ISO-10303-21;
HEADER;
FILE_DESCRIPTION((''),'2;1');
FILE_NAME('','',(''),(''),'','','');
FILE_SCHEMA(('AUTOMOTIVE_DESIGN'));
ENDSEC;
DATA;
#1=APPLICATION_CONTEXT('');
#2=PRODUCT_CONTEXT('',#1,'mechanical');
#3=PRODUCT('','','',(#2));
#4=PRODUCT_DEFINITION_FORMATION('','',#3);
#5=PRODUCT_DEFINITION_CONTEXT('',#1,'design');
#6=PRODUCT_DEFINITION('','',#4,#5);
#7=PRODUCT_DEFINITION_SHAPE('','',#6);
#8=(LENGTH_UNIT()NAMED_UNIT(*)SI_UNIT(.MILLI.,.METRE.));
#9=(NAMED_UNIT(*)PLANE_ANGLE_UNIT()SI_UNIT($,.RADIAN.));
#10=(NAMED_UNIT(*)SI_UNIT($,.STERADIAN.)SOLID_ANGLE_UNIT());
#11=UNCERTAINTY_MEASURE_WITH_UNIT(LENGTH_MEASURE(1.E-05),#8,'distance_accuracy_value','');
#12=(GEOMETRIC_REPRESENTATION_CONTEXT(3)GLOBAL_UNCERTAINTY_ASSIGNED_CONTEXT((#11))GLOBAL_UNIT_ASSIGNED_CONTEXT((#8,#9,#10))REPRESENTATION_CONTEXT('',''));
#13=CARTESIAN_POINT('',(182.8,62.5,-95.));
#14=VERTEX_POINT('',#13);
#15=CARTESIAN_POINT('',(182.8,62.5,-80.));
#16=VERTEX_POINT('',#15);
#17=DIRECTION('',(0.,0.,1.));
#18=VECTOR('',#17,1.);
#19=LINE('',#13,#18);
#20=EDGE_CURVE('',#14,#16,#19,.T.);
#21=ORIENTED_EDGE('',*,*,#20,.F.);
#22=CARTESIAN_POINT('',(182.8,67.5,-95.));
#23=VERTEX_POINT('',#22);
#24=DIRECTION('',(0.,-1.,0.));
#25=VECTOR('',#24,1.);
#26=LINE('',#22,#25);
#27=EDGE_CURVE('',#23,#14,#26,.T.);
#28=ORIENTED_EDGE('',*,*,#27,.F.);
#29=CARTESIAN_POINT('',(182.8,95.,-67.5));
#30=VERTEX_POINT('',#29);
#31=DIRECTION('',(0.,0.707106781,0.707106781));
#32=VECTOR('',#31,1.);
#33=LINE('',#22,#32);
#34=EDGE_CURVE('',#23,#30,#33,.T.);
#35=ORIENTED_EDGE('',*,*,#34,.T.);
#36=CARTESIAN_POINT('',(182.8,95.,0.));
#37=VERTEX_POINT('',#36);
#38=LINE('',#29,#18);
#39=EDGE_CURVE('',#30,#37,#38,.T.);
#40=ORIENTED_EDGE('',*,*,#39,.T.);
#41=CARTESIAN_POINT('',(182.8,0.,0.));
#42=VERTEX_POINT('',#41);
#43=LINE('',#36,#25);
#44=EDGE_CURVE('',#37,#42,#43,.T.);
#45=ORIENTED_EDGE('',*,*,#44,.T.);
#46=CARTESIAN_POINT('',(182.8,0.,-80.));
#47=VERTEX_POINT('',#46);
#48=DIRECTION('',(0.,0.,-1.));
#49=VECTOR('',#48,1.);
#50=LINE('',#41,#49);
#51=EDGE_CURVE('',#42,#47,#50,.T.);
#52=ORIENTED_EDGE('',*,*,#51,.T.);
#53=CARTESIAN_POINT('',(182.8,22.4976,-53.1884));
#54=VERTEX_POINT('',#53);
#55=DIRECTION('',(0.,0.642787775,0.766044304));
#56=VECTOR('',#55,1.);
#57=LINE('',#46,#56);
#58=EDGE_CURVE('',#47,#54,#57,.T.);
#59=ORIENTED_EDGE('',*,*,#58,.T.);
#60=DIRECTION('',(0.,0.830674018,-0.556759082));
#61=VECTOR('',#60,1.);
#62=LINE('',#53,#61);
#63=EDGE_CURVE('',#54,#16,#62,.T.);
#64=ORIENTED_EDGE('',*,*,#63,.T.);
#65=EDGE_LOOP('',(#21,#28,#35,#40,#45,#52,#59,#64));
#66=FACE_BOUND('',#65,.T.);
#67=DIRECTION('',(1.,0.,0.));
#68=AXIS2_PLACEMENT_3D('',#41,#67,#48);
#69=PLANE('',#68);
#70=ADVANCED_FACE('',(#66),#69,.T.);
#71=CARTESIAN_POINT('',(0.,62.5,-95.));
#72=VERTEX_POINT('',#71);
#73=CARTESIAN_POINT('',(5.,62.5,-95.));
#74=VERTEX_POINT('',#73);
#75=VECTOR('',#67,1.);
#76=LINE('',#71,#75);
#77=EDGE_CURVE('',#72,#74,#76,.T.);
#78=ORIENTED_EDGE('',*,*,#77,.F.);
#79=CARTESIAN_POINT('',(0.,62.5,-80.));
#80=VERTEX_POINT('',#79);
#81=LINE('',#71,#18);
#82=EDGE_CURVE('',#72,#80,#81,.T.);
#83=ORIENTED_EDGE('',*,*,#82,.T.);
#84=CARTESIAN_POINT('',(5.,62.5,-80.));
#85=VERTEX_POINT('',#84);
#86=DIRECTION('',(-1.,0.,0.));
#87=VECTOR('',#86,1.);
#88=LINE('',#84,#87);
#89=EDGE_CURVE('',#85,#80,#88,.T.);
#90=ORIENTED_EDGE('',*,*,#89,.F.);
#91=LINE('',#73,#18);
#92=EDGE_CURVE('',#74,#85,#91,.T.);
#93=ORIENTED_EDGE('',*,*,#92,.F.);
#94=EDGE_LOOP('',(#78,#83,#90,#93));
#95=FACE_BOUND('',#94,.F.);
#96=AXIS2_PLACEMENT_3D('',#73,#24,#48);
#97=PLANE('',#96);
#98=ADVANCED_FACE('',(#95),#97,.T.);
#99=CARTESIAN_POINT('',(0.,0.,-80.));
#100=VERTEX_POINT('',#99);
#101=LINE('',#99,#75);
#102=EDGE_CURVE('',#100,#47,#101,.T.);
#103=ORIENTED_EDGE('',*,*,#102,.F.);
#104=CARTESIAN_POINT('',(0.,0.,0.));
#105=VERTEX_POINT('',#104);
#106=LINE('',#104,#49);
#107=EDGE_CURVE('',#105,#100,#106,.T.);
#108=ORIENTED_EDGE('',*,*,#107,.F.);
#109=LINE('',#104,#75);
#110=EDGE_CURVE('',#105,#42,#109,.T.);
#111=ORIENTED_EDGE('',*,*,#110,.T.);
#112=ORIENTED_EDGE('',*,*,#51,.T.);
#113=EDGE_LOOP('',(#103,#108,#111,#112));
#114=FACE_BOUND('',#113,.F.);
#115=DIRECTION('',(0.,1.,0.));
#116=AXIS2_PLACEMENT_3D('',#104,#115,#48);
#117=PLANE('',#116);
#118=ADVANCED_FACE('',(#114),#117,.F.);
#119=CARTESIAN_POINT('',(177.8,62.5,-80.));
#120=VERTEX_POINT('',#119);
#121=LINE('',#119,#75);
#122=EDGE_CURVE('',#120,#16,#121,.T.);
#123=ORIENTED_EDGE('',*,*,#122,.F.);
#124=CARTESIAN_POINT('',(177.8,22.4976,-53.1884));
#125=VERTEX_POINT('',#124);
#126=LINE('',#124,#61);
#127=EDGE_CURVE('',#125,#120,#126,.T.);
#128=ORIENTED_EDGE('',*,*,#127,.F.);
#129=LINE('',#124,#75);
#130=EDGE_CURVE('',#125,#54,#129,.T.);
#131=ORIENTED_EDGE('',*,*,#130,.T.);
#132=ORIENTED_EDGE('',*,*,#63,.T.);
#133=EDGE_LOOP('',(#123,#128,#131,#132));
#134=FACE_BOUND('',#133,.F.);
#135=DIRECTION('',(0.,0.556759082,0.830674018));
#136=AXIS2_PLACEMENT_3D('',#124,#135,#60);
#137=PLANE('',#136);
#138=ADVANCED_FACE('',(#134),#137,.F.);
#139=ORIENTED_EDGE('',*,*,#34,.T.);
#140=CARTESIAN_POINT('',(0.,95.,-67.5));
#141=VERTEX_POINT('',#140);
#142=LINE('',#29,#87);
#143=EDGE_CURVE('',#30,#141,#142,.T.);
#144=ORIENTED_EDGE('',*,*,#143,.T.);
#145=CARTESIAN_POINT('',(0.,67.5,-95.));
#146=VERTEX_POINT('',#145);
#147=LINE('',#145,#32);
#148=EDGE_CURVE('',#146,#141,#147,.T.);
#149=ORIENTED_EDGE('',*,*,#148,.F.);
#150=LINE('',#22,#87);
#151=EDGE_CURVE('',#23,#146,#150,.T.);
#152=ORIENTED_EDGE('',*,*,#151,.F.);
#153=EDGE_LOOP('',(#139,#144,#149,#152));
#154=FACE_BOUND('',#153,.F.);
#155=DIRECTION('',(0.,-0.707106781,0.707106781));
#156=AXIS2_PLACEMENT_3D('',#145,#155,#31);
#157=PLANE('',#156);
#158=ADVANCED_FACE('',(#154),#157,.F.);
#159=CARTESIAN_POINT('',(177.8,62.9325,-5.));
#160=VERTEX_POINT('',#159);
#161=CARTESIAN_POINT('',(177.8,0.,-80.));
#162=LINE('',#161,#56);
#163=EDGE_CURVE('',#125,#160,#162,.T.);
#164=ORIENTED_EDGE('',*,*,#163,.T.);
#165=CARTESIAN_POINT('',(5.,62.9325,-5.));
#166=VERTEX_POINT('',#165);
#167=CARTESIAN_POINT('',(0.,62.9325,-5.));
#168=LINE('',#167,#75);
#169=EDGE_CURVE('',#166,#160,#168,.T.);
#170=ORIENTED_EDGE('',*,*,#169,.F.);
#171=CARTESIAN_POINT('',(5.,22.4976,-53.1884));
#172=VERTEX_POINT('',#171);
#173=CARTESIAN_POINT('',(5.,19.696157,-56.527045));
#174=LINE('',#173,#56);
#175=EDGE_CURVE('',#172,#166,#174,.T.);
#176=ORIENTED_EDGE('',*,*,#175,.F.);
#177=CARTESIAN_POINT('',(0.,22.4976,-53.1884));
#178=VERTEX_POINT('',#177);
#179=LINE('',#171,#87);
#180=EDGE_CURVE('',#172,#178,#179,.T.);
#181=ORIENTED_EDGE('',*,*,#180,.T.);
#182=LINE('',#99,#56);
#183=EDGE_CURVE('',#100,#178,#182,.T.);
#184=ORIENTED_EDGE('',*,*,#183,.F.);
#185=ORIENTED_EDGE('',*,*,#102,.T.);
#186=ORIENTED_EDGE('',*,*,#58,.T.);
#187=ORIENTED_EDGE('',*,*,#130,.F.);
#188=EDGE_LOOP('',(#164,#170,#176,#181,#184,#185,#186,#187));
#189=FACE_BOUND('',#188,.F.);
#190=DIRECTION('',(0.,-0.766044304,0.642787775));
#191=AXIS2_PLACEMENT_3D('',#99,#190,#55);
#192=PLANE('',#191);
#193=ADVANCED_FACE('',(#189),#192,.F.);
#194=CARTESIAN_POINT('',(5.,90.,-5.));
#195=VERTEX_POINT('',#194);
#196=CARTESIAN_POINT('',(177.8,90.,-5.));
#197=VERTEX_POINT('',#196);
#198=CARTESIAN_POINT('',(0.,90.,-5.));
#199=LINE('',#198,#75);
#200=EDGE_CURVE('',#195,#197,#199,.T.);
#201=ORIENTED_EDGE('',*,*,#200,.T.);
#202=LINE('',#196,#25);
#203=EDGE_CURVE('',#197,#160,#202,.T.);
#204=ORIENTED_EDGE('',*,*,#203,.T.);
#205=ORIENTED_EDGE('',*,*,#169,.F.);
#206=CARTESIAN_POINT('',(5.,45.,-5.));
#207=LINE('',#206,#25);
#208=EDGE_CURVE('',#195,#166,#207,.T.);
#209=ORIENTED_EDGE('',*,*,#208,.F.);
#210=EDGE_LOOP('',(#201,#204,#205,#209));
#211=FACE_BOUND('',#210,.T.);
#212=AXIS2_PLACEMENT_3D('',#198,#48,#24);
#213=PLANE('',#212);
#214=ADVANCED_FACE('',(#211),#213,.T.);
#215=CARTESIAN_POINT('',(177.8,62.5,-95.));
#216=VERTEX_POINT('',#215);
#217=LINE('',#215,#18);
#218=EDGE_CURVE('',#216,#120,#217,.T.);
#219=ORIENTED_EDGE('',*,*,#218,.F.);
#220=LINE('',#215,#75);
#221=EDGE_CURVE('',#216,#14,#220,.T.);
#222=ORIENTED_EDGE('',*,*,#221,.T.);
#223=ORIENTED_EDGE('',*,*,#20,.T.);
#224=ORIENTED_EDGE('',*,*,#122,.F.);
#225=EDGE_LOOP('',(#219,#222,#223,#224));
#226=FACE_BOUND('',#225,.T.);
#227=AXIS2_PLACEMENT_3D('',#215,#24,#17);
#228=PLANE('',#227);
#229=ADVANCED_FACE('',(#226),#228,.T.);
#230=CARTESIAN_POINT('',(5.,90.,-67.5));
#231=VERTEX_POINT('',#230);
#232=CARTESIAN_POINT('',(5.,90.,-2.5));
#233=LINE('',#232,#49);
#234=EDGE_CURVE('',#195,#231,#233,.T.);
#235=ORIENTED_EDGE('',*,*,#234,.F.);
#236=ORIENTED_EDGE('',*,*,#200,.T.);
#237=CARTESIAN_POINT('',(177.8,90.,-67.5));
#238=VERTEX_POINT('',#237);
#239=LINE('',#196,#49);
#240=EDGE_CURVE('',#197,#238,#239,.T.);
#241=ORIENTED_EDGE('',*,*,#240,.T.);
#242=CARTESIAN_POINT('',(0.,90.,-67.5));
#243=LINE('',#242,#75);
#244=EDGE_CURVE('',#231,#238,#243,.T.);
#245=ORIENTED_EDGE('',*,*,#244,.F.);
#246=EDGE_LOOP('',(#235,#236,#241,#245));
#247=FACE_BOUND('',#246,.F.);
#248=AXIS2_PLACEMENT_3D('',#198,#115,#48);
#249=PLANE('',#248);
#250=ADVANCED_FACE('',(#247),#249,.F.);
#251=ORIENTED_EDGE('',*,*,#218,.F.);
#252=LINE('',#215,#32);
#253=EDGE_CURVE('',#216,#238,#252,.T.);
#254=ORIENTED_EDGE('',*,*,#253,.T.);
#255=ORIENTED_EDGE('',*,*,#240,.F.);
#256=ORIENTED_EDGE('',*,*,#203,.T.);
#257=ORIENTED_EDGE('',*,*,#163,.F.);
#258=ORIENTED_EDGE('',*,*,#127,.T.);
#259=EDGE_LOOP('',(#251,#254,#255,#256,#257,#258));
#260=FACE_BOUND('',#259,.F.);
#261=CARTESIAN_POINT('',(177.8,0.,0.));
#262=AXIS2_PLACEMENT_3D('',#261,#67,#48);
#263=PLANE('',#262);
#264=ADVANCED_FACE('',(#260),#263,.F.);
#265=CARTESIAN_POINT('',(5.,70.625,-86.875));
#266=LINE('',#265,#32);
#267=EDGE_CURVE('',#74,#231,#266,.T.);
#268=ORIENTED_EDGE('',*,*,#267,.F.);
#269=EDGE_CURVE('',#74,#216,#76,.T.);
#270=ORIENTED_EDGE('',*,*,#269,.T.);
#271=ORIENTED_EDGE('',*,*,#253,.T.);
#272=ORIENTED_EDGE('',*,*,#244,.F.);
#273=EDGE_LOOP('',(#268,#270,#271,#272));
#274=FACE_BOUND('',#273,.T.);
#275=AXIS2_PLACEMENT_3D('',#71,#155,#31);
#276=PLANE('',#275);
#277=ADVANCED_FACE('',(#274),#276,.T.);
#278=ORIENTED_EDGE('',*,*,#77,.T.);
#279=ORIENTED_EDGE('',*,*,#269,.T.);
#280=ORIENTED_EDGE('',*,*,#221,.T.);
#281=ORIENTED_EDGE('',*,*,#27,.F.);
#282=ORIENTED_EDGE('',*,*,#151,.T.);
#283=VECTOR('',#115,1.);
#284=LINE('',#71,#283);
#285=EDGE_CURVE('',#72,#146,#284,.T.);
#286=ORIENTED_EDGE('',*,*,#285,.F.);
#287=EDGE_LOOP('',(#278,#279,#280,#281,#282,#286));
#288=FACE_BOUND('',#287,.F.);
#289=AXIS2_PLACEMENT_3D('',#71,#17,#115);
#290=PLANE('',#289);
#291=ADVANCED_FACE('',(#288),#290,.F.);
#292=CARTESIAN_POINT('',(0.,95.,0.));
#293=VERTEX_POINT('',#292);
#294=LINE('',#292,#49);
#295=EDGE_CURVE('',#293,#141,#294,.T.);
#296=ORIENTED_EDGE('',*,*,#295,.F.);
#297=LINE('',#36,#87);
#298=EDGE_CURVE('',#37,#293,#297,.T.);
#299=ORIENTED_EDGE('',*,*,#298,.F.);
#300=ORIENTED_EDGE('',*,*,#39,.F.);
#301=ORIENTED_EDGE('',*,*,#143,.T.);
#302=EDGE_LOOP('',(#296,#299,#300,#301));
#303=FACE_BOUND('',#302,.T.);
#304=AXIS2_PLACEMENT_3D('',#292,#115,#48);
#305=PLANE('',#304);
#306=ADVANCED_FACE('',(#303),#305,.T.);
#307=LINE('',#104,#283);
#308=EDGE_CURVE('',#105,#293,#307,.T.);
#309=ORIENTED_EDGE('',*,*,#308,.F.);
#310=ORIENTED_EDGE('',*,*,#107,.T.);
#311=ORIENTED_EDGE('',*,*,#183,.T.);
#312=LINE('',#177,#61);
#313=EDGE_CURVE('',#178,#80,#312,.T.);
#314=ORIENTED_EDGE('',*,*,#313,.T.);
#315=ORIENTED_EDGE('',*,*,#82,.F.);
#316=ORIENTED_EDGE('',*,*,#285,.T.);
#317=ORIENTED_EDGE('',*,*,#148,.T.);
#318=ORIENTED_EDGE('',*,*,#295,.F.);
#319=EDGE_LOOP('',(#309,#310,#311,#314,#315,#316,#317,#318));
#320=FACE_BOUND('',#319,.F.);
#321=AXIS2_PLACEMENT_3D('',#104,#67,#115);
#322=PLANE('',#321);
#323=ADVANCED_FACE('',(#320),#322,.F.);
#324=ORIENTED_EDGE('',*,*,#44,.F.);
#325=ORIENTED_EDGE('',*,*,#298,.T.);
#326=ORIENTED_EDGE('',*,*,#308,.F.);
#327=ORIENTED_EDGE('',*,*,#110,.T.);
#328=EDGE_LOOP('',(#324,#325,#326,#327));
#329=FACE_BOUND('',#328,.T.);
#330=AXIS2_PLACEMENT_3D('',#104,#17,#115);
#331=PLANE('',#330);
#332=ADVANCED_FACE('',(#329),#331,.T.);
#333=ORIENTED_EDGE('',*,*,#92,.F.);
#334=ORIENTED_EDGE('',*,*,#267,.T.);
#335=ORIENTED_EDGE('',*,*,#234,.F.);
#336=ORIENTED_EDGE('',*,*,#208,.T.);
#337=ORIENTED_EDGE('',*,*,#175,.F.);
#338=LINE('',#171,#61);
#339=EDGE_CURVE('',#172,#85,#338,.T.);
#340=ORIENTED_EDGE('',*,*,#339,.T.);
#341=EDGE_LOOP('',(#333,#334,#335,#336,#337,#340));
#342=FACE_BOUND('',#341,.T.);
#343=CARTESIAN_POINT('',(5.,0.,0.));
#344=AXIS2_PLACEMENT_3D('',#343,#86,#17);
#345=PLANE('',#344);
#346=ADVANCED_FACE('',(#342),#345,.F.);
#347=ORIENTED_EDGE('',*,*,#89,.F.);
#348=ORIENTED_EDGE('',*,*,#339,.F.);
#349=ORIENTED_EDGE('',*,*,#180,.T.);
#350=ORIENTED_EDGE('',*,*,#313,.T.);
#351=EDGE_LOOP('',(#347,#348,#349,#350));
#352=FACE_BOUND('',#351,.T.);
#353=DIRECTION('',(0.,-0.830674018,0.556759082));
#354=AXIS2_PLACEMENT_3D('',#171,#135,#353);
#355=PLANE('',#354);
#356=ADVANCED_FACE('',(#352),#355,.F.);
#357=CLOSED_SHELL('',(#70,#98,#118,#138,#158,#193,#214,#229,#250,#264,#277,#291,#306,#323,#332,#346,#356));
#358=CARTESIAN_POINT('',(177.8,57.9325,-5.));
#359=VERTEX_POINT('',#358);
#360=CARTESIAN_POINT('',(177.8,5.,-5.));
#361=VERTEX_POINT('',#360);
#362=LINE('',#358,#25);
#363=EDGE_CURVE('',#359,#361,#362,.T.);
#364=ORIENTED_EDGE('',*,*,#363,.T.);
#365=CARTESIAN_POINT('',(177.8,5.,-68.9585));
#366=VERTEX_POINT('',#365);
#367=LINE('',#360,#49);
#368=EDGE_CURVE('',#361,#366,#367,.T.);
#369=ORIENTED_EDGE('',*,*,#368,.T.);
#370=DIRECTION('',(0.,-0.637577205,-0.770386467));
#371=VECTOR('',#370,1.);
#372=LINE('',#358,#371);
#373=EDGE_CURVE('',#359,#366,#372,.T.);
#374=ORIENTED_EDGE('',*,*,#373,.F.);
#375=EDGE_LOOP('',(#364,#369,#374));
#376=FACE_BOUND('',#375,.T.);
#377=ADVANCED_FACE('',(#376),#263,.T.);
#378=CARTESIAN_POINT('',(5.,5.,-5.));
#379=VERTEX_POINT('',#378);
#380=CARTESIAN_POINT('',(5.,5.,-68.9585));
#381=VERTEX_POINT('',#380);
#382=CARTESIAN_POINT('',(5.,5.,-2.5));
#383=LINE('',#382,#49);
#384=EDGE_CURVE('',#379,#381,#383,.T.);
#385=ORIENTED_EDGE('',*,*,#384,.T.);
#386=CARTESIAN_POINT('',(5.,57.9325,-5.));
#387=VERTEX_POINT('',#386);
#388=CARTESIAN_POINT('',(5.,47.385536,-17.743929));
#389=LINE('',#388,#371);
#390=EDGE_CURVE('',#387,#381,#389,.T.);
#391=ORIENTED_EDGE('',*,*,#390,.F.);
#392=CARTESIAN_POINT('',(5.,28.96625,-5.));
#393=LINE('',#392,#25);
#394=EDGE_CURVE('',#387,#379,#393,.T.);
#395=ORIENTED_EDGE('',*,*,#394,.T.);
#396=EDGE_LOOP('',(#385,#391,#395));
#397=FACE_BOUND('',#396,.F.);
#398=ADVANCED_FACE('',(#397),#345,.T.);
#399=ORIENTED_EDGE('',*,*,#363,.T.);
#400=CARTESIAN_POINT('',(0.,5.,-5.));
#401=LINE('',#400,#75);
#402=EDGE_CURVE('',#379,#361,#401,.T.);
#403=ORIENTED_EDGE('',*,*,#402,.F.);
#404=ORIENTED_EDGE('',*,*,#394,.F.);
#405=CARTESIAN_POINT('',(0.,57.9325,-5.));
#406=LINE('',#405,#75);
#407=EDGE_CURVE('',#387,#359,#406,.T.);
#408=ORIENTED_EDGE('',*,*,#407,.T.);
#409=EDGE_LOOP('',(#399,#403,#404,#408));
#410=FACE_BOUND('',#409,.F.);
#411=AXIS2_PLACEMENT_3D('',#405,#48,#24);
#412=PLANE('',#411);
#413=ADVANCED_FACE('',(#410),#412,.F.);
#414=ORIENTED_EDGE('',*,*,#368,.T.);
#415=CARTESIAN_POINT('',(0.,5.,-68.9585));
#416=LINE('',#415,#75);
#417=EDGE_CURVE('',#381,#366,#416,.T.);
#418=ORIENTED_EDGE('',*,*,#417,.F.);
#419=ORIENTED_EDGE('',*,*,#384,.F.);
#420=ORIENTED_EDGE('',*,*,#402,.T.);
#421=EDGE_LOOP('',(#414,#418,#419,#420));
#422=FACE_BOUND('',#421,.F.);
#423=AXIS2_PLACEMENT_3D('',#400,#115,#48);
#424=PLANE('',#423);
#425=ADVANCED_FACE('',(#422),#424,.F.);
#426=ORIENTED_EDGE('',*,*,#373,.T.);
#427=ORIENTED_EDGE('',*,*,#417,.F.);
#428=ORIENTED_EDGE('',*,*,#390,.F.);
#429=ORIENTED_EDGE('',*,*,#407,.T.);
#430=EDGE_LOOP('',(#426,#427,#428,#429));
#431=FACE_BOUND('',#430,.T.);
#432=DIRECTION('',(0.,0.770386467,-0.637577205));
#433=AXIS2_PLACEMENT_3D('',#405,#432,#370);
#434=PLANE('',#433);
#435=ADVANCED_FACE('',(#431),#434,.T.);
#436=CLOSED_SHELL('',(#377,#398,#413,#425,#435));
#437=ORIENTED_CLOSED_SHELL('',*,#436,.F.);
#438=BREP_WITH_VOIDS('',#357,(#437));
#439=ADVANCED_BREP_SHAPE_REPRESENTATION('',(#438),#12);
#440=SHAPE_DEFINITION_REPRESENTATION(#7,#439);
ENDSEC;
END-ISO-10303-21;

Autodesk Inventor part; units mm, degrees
ref_plane "YZ Plane" through (0, 0, 0) normal (1, 0, 0) x (0, 1, 0)
ref_plane "XZ Plane" through (0, 0, 0) normal (0, 1, 0) x (-1, 0, 0)
sketch "Sketch1" plane through (0, 0, 0) normal (1, 0, 0) x (0, 1, 0)
  line L0 (0, 0) -> (95, 0)
  line L1 (95, 0) -> (95, -67.5)
  line L2 (0, 0) -> (0, -80)
  line L3 (0, -80) -> (62.9325, -5)
  line L4 (0, -80) -> (117.6394, -80) construction
  line L5 (67.5, -95) -> (95, -67.5)
  line L6 (90, -5) -> (90, -67.5)
  line L7 (62.5, -95) -> (67.5, -95)
  line L8 (62.5, -95) -> (90, -67.5)
  line L9 (57.9325, -5) -> (5, -68.9585)
  line L10 (5, -5) -> (5, -68.9585)
  line L11 (90, -5) -> (62.9325, -5)
  line L12 (57.9325, -5) -> (5, -5)
  point P0 (0, -75)
  dimension "d0" = 95
  dimension "d2" = 80
  dimension "d5" = 50
  dimension "d22" = 5
  dimension "d23" = 5
  dimension "d24" = 27.5
  dimension "d27" = 5
  dimension "d28" = 5
  dimension "d29" = 5
  dimension "d30" = 50.389
  dimension "d31" = 95
  dimension "d32" = 67.5
  dimension "d34" = 68.9585
  dimension "d35" = 5
  dimension "d36" = 27.5
extrude "Extrusion1" add sketch "Sketch1" along normal blind 177.8
sketch "Sketch3" plane through (177.8, 0, 0) normal (1, 0, 0) x (0, 0, -1)
  line L0 (0, 95) -> (0, 0) projected
  line L1 (67.5, 95) -> (0, 95) projected
  line L2 (95, 67.5) -> (67.5, 95) projected
  line L3 (0, 0) -> (80, 0) projected
  line L4 (0, 95) -> (67.5, 95)
  line L5 (80, 0) -> (0, 0)
  line L6 (0, 0) -> (0, 95)
  line L7 (80, 0) -> (5, 62.9325) projected
  line L8 (80, 0) -> (53.1884, 22.4976)
  line L9 (53.1884, 22.4976) -> (80, 62.5)
  line L10 (95, 62.5) -> (67.5, 90) projected
  line L11 (95, 62.5) -> (80, 62.5)
  line L12 (67.5, 95) -> (95, 67.5) projected
  line L13 (67.5, 95) -> (95, 67.5)
  line L14 (95, 67.5) -> (95, 62.5)
  line L15 (95, 62.5) -> (95, 67.5)
  dimension "d37" = 35
  dimension "d39" = 15
  dimension "d40" = 40.0024
extrude "Extrusion2" add sketch "Sketch3" along normal blind 5
ref_plane "Work Plane1" through (91.4, 0, 0) normal (1, 0, 0) x (0, 0, -1)
mirror "Mirror1" about plane through (91.4, 0, 0) normal (1, 0, 0) of "Extrusion2"
properties part number "plowV3"
